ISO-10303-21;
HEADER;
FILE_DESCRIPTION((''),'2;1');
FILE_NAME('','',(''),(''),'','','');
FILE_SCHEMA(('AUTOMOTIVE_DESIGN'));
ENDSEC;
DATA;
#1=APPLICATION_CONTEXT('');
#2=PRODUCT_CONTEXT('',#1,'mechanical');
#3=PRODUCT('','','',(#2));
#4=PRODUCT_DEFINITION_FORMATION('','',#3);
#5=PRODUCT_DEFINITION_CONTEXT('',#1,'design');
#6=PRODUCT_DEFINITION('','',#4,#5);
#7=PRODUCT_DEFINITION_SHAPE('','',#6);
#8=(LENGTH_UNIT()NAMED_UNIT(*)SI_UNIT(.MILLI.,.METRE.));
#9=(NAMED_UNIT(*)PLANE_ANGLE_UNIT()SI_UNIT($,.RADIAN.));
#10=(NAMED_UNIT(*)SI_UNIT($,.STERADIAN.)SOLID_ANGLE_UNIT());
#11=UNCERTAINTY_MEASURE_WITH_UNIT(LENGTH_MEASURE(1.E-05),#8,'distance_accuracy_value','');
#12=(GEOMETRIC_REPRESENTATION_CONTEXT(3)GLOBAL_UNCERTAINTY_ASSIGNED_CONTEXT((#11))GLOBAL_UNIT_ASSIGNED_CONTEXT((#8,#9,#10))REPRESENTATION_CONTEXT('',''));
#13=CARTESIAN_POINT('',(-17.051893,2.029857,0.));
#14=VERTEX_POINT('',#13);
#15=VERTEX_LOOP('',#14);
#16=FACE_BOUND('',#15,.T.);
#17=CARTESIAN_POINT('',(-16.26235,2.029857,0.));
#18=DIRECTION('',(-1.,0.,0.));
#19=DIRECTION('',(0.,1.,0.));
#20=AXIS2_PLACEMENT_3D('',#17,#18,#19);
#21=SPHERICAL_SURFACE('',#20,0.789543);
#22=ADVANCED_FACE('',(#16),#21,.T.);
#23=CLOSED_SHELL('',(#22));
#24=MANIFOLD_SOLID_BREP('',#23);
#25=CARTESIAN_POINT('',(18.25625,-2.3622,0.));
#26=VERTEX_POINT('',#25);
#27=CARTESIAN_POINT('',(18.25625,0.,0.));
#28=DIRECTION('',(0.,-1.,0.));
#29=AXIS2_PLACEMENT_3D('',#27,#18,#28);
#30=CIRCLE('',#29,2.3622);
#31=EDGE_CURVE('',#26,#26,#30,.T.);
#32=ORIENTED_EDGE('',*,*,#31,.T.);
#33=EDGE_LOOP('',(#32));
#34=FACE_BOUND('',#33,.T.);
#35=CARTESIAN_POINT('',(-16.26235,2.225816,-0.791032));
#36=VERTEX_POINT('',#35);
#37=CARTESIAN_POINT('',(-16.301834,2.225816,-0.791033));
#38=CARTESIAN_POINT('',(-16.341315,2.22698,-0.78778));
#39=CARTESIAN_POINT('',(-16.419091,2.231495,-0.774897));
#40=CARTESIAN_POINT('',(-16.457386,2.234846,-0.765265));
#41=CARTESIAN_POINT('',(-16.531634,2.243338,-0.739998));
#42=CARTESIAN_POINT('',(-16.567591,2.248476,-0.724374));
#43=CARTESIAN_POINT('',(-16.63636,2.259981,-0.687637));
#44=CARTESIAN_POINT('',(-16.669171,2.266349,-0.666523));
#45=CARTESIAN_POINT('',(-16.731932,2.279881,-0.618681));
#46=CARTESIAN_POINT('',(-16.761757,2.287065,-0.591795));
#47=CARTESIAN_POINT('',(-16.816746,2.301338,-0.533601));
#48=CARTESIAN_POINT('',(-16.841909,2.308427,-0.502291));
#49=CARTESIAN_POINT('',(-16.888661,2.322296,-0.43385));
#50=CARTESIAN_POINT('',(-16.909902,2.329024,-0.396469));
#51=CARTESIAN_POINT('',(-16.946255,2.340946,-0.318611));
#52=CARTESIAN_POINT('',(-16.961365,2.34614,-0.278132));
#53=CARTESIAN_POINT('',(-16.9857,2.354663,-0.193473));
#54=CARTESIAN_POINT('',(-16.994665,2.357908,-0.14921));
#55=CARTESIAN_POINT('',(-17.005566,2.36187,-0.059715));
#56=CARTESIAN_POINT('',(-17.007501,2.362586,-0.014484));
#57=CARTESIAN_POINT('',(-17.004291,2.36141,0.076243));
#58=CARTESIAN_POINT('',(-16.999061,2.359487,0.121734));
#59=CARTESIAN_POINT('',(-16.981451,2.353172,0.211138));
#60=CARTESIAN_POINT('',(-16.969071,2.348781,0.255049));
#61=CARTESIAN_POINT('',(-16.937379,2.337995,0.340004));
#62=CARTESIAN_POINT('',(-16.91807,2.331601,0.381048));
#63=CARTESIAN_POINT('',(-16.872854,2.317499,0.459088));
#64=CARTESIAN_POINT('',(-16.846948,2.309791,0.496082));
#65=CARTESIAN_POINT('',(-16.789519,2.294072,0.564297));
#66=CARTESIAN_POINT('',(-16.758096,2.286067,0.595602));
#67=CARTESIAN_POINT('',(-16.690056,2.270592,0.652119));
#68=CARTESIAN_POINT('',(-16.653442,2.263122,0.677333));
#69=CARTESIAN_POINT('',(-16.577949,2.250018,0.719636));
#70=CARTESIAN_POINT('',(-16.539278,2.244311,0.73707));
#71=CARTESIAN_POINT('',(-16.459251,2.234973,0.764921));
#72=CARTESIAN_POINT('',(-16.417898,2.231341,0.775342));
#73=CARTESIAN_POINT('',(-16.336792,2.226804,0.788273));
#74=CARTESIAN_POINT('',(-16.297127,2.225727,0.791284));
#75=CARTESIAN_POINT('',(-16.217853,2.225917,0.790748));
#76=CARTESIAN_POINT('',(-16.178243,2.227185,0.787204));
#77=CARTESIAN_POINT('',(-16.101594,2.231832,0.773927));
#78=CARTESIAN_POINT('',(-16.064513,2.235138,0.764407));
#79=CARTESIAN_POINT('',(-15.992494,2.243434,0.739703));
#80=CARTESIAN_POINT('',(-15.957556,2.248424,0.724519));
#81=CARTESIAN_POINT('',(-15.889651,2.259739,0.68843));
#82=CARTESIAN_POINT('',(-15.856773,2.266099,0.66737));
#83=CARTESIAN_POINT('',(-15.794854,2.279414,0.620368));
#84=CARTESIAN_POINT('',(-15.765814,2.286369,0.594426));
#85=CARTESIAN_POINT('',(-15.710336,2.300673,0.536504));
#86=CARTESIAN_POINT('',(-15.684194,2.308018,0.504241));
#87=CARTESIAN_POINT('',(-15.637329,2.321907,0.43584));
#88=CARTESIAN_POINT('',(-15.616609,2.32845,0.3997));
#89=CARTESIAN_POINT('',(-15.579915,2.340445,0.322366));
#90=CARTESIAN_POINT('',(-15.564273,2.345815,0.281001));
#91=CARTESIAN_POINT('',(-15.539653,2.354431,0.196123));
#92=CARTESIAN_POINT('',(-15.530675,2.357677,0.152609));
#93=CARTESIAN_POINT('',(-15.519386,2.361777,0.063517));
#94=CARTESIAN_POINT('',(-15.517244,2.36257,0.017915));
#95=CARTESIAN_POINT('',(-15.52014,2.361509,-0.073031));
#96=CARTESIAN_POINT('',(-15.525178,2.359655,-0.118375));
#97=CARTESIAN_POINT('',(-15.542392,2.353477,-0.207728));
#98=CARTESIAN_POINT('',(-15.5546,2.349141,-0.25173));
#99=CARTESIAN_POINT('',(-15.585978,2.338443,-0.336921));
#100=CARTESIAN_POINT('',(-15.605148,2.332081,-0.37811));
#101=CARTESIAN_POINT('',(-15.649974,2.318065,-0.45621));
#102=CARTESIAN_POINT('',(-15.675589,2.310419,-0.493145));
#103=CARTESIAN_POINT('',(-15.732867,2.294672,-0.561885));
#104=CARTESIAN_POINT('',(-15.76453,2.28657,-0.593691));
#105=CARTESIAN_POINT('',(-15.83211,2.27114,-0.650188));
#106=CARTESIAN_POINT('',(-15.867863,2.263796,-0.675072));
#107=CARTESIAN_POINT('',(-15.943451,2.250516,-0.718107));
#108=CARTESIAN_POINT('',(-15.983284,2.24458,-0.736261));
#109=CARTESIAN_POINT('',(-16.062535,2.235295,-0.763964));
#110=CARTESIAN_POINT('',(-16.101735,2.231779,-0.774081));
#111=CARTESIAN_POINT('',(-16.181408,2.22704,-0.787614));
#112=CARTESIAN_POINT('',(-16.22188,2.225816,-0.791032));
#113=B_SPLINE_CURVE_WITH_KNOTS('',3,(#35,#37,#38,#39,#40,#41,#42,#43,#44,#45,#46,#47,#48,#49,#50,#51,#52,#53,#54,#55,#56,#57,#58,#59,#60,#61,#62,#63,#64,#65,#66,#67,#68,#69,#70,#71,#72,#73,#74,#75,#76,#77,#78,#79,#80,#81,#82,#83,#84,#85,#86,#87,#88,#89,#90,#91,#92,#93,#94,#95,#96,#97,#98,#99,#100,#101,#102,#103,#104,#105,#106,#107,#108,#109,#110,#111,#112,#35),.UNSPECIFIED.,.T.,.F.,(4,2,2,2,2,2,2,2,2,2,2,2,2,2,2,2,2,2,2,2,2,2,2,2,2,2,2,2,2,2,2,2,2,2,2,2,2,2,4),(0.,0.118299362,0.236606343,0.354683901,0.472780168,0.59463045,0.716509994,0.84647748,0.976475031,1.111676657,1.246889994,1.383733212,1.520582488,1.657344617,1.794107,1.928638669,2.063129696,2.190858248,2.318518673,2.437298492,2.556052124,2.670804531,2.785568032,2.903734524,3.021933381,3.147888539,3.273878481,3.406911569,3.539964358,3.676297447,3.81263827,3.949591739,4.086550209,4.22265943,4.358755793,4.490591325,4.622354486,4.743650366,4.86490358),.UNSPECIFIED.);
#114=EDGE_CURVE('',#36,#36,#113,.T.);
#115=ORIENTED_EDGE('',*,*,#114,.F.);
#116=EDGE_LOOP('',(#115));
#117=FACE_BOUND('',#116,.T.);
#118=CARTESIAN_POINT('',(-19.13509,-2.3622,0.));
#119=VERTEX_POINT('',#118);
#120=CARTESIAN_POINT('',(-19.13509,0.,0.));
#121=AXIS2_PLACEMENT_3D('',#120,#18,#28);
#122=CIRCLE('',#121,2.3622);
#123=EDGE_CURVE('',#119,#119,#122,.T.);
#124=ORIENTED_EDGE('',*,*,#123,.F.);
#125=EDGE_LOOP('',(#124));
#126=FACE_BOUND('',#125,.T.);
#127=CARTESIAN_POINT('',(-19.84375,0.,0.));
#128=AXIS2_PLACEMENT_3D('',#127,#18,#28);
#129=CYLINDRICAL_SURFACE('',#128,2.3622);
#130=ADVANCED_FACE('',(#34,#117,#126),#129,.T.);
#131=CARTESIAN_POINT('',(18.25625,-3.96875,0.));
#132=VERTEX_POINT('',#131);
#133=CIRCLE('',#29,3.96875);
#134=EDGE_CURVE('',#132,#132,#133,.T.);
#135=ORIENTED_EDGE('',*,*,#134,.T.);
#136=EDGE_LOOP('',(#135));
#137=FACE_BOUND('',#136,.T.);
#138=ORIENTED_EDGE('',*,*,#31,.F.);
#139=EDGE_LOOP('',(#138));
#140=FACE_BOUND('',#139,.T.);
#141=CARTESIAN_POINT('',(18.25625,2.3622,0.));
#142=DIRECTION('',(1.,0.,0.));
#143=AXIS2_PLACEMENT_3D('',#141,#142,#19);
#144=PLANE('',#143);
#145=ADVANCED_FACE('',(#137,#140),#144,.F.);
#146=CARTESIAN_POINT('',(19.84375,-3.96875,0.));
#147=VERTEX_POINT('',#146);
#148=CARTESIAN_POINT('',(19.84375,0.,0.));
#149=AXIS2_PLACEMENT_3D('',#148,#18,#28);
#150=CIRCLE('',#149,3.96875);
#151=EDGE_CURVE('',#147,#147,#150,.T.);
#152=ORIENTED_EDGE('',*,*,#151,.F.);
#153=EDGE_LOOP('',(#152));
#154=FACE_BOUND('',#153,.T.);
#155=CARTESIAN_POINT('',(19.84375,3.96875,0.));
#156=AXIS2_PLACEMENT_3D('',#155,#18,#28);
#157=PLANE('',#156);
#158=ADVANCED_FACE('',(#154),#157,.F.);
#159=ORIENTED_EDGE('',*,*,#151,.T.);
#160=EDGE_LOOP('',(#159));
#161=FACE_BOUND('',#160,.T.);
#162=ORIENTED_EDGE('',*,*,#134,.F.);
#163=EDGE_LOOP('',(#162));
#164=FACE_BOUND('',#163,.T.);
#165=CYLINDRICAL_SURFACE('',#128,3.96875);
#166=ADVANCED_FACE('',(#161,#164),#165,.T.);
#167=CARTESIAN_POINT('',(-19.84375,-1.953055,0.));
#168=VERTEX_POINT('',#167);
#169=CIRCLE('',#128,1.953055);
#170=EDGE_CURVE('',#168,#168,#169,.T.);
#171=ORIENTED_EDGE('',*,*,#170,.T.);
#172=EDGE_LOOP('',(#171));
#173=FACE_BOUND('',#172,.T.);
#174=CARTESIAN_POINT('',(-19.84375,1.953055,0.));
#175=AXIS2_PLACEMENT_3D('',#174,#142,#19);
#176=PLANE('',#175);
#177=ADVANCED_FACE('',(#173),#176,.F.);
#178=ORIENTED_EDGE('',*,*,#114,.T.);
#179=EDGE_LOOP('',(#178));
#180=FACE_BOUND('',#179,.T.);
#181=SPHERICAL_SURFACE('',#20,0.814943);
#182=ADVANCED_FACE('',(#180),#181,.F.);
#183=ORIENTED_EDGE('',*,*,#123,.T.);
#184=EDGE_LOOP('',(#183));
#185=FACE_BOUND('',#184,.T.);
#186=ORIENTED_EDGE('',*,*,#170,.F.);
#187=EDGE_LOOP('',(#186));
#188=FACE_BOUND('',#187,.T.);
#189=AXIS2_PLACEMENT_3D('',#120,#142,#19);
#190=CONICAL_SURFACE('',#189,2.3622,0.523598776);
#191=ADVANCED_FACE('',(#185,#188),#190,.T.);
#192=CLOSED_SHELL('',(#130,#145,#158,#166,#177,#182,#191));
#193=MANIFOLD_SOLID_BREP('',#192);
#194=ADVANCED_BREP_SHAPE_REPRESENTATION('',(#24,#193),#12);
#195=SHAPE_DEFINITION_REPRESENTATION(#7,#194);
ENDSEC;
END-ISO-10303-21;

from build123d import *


with BuildPart() as part:
    # Sketch1 → Revolve1 (revolve)
    with BuildSketch(Plane.XY):
        Polygon((19.84375, 3.96875), (18.25625, 3.96875), (18.25625, 2.3622), (-19.13509, 2.3622), (-19.84375, 1.953054958), (-19.84375, 0), (19.84375, 0), align=None)
    revolve(axis=Axis((-19.84375, 0, 0), (1, 0, 0)))

    # Sketch2 → Cut-Revolve1 (revolve, cut)
    with BuildSketch(Plane.XY):
        with BuildLine():
            Line((-15.447407306, 2.029857306), (-17.077292694, 2.029857306))
            ThreePointArc((-17.077292694, 2.029857306), (-16.26235, 2.8448), (-15.447407306, 2.029857306))
        make_face()
    revolve(axis=Axis((-15.447407306, 2.029857306, 0), (1, 0, 0)), mode=Mode.SUBTRACT)


with BuildPart() as body_2:
    # Sketch3 → Revolve2 (revolve)
    with BuildSketch(Plane.XY):
        with BuildLine():
            Line((-15.472807306, 2.029857306), (-17.051892694, 2.029857306))
            ThreePointArc((-17.051892694, 2.029857306), (-16.26235, 2.8194), (-15.472807306, 2.029857306))
        make_face()
    revolve(axis=Axis((-15.472807306, 2.029857306, 0), (1, 0, 0)))


solid = Compound([part.part, body_2.part])
